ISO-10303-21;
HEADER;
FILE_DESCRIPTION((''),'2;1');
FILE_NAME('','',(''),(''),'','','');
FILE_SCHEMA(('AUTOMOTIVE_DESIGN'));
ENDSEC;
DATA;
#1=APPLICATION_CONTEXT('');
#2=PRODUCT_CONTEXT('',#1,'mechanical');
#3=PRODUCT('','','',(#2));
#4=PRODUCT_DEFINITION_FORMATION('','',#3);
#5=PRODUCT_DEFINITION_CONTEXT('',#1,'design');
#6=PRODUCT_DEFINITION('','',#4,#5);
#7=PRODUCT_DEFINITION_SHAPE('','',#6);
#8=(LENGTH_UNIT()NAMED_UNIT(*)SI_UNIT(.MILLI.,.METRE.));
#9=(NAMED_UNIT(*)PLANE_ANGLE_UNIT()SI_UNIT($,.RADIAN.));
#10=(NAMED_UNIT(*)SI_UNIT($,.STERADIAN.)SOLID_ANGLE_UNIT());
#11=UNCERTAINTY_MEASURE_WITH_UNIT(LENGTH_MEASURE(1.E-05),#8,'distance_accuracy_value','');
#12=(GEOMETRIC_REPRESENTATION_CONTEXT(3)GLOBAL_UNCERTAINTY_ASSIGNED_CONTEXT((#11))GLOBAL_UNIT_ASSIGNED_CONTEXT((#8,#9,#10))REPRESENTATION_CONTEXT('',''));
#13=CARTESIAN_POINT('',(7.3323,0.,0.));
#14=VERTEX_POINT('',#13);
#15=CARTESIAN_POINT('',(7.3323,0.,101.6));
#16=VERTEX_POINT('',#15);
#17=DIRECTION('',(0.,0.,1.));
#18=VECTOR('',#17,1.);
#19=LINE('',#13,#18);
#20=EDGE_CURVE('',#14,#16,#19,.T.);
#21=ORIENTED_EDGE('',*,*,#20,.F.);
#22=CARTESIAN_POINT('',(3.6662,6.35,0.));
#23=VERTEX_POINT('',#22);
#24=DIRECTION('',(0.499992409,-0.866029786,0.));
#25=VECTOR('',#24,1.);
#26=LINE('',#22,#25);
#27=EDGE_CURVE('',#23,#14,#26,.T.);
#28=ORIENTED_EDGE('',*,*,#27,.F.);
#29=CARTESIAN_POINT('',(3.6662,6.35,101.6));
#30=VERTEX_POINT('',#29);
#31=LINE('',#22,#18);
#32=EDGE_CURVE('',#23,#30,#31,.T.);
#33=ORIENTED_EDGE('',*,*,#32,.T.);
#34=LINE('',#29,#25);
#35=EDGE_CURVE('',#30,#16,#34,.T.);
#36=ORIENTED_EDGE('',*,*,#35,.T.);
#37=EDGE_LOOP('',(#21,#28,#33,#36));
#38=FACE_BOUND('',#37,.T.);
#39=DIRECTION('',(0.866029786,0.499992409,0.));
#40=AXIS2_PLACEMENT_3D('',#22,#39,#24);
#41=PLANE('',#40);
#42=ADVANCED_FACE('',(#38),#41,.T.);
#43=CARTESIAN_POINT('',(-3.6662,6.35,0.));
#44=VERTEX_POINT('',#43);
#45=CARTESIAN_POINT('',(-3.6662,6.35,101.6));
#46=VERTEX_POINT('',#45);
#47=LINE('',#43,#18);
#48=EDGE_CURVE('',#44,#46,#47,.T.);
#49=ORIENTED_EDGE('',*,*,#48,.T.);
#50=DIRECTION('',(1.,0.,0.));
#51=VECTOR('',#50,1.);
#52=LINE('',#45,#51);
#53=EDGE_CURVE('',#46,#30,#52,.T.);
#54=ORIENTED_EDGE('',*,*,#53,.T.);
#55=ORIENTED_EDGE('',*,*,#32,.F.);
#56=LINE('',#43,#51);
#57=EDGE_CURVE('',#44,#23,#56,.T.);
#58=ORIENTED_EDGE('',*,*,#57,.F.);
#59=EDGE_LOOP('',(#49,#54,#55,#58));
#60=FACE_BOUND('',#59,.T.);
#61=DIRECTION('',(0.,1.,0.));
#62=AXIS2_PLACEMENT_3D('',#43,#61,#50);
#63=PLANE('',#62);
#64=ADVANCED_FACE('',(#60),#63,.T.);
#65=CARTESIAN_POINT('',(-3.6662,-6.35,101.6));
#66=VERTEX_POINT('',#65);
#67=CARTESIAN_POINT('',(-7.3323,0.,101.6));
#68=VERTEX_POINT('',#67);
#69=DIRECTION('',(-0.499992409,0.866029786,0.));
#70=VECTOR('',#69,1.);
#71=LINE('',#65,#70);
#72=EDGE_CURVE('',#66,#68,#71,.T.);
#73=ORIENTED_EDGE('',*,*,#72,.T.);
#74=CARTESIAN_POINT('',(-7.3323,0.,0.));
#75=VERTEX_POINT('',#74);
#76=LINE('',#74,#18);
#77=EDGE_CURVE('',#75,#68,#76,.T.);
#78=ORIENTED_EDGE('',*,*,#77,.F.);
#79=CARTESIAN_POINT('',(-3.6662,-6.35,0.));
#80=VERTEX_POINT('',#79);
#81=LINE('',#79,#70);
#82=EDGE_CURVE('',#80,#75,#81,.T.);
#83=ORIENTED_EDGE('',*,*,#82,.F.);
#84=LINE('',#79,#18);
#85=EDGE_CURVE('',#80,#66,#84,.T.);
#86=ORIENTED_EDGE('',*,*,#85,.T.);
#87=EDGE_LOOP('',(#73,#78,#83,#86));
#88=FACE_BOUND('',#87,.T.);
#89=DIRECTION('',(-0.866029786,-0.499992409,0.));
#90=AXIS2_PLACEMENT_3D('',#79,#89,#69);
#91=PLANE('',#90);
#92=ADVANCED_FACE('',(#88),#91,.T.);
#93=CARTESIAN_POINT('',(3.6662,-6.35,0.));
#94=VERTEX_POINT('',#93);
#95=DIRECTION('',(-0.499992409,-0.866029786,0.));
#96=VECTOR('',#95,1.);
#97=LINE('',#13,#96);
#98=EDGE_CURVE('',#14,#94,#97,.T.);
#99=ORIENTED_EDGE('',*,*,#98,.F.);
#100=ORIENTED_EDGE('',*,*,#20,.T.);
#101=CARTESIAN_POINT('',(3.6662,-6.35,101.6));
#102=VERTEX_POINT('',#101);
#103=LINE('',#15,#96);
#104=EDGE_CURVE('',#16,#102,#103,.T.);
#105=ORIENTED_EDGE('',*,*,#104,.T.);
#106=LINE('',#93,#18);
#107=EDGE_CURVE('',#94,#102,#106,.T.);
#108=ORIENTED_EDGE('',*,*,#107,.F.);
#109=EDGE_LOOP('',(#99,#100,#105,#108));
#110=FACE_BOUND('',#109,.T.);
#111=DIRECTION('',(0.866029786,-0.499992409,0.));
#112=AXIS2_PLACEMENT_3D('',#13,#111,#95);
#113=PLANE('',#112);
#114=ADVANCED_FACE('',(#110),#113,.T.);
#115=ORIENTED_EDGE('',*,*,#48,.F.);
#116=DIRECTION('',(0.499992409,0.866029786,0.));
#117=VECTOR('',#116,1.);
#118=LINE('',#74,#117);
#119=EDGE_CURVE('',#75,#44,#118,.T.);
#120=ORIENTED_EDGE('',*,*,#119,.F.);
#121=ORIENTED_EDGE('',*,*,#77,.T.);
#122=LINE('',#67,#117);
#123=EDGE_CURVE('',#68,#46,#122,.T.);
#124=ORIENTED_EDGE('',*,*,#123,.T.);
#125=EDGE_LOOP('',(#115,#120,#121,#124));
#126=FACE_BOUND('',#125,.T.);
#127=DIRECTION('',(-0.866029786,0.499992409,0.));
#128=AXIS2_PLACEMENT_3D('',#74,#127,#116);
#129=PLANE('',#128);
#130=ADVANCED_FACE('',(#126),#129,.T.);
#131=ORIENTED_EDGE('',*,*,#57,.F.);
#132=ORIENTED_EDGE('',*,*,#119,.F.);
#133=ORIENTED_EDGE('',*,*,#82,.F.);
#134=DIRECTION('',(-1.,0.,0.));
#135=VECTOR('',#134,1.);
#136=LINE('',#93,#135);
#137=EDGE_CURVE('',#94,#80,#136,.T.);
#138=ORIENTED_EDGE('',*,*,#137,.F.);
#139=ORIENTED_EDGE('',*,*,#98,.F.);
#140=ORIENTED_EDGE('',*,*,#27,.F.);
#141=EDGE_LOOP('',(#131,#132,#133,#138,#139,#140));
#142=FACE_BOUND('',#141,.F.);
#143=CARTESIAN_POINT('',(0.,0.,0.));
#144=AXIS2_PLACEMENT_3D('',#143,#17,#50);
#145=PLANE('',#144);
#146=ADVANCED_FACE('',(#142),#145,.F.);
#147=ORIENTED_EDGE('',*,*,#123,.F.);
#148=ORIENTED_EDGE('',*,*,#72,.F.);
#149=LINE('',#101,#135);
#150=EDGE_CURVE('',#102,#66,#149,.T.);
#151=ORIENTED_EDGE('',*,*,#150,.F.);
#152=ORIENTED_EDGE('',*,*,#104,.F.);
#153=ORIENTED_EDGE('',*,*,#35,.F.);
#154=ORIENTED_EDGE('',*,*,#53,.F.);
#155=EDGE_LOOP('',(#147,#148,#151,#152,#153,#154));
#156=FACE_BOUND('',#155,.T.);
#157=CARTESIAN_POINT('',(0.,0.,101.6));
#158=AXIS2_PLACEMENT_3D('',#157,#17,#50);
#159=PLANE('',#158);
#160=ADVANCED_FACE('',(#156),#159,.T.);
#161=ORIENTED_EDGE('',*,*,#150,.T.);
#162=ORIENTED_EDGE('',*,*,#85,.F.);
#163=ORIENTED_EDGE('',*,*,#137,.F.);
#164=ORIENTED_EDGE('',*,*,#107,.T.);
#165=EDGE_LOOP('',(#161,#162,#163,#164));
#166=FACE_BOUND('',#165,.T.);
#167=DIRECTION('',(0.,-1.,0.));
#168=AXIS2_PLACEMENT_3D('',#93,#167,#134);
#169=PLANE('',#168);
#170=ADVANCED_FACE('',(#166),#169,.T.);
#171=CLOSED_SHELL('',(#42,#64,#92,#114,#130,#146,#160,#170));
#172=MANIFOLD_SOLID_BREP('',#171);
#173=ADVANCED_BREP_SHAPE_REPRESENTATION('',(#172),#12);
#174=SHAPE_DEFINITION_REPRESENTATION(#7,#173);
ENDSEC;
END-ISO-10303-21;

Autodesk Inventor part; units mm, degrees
ref_plane "YZ Plane" through (0, 0, 0) normal (1, 0, 0) x (0, 1, 0)
ref_plane "XZ Plane" through (0, 0, 0) normal (0, 1, 0) x (-1, 0, 0)
ref_plane "XY Plane" through (0, 0, 0) normal (0, 0, 1) x (1, 0, 0)
sketch "Sketch1" plane through (0, 0, 0) normal (0, 0, 1) x (1, 0, 0)
  line L0 (3.6662, 6.35) -> (7.3323, 0)
  line L1 (7.3323, 0) -> (3.6662, -6.35)
  line L2 (3.6662, -6.35) -> (-3.6662, -6.35)
  line L3 (-3.6662, -6.35) -> (-7.3323, 0)
  line L4 (-7.3323, 0) -> (-3.6662, 6.35)
  line L5 (-3.6662, 6.35) -> (3.6662, 6.35)
  point P0 (0, 0)
  point P1 (0, 0)
  dimension "d0" = 12.7
extrude "Extrusion1" add sketch "Sketch1" along normal blind 101.6
properties part number "Hex Shaft Aluminum 1-2 in (am-2291)" material "Steel"
